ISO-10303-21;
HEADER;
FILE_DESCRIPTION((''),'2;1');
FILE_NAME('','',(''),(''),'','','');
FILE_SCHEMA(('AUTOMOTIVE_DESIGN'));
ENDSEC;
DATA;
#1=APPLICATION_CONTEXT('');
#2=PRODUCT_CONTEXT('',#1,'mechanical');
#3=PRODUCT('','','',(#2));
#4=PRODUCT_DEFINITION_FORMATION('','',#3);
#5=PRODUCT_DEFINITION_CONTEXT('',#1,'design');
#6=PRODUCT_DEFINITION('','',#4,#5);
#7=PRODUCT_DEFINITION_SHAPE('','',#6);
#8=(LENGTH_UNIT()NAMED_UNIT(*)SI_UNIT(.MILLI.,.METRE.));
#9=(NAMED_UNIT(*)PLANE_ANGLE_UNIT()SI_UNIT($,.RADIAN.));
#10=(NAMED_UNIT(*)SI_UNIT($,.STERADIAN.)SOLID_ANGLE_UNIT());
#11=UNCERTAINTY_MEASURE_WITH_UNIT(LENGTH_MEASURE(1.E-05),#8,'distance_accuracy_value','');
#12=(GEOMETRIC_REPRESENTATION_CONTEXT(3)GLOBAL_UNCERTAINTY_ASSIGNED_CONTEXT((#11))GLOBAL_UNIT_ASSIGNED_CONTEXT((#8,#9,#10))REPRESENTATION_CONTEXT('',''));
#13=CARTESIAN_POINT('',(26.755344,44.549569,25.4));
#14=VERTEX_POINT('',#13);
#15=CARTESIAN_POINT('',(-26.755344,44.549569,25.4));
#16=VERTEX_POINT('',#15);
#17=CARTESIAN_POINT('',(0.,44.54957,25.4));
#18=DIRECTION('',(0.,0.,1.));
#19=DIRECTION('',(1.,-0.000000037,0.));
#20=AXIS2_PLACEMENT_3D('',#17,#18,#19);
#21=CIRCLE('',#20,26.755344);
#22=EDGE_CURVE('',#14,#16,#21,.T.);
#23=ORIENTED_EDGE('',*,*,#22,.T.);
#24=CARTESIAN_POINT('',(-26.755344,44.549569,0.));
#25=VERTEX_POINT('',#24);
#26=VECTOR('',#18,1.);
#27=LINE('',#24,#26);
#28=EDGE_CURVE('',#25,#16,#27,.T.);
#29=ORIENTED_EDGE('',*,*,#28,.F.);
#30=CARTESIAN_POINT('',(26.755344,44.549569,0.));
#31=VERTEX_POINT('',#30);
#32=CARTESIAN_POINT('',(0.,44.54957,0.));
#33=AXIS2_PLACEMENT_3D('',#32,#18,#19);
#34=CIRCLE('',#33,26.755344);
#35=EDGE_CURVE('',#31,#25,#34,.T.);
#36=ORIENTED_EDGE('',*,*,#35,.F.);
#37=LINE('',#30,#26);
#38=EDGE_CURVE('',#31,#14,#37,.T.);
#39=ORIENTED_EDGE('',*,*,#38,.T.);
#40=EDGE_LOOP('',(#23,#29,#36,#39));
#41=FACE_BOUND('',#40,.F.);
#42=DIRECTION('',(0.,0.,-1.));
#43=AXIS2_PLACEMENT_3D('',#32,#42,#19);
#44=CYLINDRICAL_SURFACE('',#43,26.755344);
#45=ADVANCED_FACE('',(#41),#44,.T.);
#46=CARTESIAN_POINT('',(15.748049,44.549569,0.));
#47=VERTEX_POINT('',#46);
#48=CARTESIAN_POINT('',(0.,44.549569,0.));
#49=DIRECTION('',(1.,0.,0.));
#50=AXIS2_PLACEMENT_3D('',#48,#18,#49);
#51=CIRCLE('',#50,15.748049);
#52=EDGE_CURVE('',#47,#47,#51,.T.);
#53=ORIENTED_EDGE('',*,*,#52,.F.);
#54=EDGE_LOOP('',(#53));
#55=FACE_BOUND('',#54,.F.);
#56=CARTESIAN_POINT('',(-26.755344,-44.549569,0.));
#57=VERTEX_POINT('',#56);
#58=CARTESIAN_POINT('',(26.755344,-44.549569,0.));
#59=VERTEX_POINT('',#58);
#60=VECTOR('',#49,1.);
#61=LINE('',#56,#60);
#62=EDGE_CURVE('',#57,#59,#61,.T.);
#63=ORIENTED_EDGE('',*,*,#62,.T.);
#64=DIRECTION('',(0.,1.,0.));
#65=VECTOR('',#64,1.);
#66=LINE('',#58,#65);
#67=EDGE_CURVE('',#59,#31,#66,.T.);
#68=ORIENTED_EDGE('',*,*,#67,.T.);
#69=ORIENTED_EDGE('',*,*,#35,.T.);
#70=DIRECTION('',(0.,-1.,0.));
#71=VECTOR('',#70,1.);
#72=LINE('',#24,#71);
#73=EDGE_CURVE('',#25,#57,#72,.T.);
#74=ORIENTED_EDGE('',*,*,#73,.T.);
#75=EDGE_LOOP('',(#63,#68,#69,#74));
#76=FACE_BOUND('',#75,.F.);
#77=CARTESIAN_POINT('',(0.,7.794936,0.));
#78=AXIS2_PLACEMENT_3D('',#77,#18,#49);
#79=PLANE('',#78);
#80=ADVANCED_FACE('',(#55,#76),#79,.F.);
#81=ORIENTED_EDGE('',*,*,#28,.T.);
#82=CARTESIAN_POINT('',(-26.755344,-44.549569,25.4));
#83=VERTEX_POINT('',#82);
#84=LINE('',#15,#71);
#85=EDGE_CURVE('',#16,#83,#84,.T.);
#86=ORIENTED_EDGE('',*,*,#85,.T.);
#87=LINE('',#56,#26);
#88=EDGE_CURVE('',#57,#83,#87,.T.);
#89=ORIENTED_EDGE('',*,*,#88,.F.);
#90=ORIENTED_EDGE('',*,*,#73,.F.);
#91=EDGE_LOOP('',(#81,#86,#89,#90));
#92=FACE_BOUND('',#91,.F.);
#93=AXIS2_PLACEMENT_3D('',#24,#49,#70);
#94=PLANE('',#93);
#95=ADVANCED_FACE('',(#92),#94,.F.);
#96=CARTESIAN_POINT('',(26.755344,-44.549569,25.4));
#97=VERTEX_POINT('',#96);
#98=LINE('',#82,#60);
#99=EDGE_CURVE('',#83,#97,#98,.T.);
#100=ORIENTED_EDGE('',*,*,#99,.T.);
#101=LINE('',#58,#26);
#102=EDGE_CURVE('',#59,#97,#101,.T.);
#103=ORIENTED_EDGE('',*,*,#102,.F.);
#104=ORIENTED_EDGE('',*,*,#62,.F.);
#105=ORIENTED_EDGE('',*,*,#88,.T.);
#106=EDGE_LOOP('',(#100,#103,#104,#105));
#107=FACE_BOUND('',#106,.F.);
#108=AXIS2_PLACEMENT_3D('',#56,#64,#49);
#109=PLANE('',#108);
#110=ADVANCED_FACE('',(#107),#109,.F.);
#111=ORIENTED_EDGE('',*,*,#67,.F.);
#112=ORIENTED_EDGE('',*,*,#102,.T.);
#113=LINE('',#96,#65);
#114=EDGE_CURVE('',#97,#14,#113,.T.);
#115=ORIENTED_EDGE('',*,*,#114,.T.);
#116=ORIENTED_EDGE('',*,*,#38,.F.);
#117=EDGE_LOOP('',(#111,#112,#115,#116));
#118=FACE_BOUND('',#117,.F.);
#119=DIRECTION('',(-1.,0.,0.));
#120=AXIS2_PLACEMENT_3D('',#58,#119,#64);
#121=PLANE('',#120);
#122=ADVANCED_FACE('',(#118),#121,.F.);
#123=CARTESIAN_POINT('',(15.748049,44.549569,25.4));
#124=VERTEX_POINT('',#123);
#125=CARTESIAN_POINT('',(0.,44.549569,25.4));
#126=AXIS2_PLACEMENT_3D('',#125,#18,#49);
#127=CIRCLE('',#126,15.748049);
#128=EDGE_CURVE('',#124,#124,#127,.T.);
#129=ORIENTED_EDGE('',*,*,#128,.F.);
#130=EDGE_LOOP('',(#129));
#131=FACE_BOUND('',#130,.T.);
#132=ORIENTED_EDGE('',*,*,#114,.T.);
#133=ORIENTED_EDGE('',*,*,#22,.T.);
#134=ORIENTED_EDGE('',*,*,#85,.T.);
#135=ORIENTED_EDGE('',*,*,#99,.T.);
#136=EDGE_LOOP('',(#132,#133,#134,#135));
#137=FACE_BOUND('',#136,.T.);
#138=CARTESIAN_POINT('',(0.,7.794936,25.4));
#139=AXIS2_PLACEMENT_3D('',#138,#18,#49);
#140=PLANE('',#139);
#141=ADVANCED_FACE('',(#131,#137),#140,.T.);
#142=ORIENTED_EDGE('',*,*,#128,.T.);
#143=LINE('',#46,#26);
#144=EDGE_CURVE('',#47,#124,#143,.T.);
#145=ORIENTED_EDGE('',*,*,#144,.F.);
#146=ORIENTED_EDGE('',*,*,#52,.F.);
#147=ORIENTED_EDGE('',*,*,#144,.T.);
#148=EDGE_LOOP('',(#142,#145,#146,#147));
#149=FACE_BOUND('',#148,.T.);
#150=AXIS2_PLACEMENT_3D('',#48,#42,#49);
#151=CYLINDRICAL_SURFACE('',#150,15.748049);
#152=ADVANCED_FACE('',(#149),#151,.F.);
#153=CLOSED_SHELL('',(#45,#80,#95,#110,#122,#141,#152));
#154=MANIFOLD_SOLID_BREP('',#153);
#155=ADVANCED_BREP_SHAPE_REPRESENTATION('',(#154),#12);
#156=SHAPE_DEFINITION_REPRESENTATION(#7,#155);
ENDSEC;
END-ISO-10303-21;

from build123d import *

# Parameters (mm, degrees)
F0_R     = 15.748049
F1_DEPTH = 25.4


with BuildPart() as f1:
    # F0 (on Top) → F1 (new body)
    with BuildSketch(Plane.XY):
        with BuildLine():
            Line((-26.755344, 44.549569), (-26.755344, -44.549569))
            Line((-26.755344, -44.549569), (26.755344, -44.549569))
            Line((26.755344, -44.549569), (26.755344, 44.549569))
            ThreePointArc((26.755344, 44.549569), (0, 71.304914), (-26.755344, 44.549569))
        make_face()
        with Locations((0, 44.549569)):
            Circle(F0_R, mode=Mode.SUBTRACT)
    extrude(amount=F1_DEPTH)


solid = f1.part
